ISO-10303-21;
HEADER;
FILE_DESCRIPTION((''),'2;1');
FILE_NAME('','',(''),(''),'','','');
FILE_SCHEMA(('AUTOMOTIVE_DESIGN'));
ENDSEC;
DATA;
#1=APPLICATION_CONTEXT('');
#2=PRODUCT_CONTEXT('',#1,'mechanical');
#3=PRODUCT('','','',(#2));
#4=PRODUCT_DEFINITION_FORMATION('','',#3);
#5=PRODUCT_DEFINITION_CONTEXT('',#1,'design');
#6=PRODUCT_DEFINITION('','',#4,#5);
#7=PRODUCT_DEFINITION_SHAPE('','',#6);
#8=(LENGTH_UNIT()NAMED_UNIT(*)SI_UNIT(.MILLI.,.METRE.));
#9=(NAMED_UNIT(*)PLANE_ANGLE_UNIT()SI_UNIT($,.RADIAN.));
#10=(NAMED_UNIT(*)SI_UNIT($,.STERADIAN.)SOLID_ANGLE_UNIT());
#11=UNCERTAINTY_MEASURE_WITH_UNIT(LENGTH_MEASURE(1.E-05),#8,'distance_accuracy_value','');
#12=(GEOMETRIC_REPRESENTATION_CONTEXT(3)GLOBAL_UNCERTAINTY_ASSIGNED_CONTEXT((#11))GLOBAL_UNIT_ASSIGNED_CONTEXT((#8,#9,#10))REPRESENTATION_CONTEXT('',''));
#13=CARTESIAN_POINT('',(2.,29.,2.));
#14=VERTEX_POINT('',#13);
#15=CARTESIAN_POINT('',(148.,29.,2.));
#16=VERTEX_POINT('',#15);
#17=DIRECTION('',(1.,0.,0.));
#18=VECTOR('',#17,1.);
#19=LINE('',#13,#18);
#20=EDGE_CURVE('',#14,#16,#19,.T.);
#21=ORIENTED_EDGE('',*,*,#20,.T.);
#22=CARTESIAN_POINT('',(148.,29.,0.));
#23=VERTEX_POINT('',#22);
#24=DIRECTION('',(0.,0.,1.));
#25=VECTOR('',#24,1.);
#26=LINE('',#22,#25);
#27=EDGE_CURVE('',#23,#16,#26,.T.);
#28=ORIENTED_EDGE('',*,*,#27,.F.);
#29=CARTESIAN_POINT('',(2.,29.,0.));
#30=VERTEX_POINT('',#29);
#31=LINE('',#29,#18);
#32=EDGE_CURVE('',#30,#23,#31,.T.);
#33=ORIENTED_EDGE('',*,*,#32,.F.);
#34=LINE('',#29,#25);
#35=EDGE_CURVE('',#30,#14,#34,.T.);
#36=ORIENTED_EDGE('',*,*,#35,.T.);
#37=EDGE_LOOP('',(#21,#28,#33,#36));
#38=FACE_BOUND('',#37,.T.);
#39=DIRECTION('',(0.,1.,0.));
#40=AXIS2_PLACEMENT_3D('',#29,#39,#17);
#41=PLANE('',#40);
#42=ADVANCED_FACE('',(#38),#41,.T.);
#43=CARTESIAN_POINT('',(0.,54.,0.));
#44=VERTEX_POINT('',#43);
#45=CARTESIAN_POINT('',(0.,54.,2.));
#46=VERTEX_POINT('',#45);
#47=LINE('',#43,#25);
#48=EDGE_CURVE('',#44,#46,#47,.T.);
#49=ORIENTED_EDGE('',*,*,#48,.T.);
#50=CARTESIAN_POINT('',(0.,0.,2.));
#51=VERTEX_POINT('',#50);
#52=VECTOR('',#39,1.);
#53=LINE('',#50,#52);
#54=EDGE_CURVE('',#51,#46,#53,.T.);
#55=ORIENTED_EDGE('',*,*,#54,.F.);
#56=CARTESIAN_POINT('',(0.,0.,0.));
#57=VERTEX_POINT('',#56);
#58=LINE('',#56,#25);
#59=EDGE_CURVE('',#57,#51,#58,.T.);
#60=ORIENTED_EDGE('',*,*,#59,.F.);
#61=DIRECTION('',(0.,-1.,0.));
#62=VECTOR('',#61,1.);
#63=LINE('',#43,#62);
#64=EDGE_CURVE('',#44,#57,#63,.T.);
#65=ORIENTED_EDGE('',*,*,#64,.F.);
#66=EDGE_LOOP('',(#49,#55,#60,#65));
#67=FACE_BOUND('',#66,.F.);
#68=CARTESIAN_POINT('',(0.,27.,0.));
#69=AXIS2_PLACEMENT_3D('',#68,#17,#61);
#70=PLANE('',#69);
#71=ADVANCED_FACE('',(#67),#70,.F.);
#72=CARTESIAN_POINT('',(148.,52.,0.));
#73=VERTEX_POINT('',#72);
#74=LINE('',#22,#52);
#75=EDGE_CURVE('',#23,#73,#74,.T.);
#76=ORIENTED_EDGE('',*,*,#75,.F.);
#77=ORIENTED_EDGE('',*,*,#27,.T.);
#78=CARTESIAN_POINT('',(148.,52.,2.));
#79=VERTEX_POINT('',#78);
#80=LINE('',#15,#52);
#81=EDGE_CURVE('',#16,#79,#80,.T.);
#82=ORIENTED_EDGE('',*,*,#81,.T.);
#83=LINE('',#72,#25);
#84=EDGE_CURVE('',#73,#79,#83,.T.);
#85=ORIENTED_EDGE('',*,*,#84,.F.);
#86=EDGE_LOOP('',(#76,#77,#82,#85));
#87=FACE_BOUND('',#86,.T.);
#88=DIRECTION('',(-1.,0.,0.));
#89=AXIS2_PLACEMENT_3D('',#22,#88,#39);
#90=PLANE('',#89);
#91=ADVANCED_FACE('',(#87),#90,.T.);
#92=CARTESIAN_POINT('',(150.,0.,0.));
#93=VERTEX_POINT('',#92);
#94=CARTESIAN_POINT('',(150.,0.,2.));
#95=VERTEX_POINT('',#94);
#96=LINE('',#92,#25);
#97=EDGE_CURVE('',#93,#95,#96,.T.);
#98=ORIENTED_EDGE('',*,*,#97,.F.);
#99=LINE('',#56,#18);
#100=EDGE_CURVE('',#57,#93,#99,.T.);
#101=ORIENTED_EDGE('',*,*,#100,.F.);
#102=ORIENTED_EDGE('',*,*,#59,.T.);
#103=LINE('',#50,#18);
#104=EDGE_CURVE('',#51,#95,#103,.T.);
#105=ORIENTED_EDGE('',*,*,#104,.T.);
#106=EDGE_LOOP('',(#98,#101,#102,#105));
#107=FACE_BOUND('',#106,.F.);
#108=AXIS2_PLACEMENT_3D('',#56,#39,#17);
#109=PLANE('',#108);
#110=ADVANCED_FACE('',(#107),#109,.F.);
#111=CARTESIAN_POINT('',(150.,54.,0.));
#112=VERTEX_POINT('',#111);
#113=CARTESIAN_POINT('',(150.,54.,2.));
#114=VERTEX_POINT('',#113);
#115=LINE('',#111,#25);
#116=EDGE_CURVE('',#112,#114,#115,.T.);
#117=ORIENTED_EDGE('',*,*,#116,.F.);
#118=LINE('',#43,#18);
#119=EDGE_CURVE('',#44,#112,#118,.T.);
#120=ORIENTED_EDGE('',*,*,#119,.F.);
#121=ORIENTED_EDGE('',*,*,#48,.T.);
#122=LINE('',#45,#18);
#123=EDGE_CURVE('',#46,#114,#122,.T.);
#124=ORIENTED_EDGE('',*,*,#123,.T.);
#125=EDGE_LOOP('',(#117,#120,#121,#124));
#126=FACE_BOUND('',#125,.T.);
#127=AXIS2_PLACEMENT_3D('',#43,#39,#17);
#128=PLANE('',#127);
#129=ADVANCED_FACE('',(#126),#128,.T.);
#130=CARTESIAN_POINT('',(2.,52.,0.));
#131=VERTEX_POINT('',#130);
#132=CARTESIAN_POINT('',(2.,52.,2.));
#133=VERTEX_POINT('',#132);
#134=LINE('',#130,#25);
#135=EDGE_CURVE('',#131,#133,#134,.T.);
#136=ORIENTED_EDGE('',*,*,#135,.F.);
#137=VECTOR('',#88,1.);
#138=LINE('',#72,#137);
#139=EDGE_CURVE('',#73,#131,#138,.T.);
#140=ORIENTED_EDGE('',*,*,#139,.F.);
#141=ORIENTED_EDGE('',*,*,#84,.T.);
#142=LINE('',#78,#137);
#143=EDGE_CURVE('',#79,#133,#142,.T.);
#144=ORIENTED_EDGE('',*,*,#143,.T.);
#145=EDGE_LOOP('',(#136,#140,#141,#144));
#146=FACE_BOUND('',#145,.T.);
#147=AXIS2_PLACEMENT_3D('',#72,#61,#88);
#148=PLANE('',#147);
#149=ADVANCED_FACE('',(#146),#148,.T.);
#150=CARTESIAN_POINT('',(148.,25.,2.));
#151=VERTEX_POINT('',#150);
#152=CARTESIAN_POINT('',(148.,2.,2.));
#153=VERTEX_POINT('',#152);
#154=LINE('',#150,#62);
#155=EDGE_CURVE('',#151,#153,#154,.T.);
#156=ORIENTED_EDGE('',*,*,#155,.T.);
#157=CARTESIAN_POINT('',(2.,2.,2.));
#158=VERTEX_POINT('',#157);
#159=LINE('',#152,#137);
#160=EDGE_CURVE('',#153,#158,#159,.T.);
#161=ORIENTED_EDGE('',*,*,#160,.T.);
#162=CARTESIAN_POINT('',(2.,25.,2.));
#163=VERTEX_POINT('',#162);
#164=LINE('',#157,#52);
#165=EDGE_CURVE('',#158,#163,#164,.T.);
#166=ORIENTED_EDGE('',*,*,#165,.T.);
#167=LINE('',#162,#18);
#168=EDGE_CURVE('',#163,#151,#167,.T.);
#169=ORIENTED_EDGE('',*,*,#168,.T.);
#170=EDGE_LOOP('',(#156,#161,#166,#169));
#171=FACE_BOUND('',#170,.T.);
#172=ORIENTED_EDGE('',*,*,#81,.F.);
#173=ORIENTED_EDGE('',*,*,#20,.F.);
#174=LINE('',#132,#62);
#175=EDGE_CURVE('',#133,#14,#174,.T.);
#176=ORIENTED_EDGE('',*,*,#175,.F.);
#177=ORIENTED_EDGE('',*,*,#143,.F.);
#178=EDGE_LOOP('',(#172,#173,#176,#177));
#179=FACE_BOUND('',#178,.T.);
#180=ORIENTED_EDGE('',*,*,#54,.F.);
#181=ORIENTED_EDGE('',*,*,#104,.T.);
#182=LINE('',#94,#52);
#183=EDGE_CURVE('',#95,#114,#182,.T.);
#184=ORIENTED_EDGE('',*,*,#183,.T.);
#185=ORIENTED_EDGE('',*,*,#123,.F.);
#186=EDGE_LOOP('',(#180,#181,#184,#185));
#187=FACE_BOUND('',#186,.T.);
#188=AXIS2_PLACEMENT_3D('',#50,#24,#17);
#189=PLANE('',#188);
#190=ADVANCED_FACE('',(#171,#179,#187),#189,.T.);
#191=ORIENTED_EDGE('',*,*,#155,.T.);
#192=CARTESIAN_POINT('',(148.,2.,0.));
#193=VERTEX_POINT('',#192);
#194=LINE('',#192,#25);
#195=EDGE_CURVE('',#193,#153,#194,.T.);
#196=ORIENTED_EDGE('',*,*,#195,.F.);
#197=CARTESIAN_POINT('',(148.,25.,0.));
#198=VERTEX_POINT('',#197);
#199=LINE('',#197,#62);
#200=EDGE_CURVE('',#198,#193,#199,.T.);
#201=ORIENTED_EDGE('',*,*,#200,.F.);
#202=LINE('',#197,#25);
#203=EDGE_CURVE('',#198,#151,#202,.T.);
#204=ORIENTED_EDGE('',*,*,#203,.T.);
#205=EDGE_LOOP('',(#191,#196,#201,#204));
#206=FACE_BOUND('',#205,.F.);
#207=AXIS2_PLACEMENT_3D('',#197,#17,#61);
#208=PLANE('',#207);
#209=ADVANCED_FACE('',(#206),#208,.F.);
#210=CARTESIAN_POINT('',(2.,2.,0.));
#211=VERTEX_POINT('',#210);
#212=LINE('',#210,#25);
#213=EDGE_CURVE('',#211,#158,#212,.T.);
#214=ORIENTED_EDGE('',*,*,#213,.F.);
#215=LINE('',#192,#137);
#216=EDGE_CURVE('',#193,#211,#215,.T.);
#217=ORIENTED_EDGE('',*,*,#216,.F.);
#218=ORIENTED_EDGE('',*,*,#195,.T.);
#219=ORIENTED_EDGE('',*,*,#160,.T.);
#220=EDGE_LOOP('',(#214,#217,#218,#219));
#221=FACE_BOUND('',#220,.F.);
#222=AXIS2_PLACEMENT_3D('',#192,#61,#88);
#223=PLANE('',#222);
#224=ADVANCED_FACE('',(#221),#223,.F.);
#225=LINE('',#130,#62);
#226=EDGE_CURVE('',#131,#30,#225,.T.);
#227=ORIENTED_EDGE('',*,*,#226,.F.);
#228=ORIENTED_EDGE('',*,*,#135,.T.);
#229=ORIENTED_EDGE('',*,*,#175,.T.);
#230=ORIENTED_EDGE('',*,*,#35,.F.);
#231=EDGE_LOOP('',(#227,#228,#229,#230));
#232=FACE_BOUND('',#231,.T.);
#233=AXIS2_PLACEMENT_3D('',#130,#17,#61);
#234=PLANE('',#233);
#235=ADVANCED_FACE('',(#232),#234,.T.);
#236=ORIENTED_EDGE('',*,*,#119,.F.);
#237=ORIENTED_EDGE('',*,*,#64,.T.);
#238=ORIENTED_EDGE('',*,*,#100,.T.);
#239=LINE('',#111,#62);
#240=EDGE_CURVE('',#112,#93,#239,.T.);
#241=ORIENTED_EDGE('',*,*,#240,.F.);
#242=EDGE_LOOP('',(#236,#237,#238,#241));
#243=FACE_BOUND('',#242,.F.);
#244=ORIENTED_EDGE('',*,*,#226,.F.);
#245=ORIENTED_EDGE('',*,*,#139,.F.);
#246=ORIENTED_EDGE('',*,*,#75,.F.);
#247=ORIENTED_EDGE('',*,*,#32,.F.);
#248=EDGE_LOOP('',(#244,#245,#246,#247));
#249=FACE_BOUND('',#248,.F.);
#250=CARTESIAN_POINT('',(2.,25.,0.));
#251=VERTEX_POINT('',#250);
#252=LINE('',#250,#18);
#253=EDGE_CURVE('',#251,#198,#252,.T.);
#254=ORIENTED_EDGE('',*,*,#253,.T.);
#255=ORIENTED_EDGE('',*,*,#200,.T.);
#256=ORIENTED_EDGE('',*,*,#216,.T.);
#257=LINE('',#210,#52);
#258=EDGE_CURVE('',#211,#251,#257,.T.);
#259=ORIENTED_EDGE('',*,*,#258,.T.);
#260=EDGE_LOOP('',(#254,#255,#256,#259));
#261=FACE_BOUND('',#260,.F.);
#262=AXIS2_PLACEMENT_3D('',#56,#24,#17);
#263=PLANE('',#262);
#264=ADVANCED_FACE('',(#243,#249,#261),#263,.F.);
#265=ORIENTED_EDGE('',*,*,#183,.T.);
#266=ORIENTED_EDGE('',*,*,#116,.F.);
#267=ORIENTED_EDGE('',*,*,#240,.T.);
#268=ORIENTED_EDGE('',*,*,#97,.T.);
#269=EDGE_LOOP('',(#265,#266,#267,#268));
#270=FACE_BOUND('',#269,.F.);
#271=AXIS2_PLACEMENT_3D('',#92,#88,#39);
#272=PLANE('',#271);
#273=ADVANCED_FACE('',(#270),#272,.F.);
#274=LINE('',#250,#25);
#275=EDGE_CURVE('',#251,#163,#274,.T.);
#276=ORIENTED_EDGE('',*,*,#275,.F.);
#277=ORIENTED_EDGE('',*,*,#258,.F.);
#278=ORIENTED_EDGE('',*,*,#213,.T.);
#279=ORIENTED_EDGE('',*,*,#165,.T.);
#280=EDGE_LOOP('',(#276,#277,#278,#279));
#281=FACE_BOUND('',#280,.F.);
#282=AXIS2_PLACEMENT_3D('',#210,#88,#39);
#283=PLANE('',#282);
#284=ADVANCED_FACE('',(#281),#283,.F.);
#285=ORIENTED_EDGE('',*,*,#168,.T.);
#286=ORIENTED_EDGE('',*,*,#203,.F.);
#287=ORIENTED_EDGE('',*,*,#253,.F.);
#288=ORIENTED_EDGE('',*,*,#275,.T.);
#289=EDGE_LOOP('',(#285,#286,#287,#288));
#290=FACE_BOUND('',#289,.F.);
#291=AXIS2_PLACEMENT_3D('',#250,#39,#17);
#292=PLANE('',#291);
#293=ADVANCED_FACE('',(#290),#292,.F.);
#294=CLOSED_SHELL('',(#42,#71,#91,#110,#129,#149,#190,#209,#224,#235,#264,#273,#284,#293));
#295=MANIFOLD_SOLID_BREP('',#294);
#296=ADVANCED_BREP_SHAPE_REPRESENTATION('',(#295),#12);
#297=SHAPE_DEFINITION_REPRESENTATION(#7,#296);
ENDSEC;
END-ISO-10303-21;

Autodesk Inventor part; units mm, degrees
ref_plane "YZ Plane" through (0, 0, 0) normal (1, 0, 0) x (0, 1, 0)
ref_plane "XZ Plane" through (0, 0, 0) normal (0, 1, 0) x (-1, 0, 0)
ref_plane "XY Plane" through (0, 0, 0) normal (0, 0, 1) x (1, 0, 0)
sketch "Esboço1" plane through (0, 0, 0) normal (0, 0, 1) x (1, 0, 0)
  line L0 (0, 0) -> (150, 0)
  line L1 (150, 0) -> (150, 27)
  line L2 (150, 27) -> (0, 27)
  line L3 (0, 27) -> (0, 0)
  line L4 (2, 25) -> (148, 25)
  line L5 (148, 25) -> (148, 2)
  line L6 (148, 2) -> (2, 2)
  line L7 (2, 2) -> (2, 25)
  line L8 (0, 27) -> (150, 27) construction
  line L9 (0, 54) -> (150, 54)
  line L10 (150, 54) -> (150, 27)
  line L11 (0, 27) -> (0, 54)
  line L12 (2, 29) -> (148, 29)
  line L13 (148, 29) -> (148, 52)
  line L14 (148, 52) -> (2, 52)
  line L15 (2, 52) -> (2, 29)
  dimension "d6" = 150
  dimension "d7" = 27
  dimension "d8" = 2
  dimension "d9" = 2
  dimension "d10" = 2
  dimension "d11" = 2
extrude "Extrusão1" add sketch "Esboço1" along normal blind 2
properties part number "Grade"
